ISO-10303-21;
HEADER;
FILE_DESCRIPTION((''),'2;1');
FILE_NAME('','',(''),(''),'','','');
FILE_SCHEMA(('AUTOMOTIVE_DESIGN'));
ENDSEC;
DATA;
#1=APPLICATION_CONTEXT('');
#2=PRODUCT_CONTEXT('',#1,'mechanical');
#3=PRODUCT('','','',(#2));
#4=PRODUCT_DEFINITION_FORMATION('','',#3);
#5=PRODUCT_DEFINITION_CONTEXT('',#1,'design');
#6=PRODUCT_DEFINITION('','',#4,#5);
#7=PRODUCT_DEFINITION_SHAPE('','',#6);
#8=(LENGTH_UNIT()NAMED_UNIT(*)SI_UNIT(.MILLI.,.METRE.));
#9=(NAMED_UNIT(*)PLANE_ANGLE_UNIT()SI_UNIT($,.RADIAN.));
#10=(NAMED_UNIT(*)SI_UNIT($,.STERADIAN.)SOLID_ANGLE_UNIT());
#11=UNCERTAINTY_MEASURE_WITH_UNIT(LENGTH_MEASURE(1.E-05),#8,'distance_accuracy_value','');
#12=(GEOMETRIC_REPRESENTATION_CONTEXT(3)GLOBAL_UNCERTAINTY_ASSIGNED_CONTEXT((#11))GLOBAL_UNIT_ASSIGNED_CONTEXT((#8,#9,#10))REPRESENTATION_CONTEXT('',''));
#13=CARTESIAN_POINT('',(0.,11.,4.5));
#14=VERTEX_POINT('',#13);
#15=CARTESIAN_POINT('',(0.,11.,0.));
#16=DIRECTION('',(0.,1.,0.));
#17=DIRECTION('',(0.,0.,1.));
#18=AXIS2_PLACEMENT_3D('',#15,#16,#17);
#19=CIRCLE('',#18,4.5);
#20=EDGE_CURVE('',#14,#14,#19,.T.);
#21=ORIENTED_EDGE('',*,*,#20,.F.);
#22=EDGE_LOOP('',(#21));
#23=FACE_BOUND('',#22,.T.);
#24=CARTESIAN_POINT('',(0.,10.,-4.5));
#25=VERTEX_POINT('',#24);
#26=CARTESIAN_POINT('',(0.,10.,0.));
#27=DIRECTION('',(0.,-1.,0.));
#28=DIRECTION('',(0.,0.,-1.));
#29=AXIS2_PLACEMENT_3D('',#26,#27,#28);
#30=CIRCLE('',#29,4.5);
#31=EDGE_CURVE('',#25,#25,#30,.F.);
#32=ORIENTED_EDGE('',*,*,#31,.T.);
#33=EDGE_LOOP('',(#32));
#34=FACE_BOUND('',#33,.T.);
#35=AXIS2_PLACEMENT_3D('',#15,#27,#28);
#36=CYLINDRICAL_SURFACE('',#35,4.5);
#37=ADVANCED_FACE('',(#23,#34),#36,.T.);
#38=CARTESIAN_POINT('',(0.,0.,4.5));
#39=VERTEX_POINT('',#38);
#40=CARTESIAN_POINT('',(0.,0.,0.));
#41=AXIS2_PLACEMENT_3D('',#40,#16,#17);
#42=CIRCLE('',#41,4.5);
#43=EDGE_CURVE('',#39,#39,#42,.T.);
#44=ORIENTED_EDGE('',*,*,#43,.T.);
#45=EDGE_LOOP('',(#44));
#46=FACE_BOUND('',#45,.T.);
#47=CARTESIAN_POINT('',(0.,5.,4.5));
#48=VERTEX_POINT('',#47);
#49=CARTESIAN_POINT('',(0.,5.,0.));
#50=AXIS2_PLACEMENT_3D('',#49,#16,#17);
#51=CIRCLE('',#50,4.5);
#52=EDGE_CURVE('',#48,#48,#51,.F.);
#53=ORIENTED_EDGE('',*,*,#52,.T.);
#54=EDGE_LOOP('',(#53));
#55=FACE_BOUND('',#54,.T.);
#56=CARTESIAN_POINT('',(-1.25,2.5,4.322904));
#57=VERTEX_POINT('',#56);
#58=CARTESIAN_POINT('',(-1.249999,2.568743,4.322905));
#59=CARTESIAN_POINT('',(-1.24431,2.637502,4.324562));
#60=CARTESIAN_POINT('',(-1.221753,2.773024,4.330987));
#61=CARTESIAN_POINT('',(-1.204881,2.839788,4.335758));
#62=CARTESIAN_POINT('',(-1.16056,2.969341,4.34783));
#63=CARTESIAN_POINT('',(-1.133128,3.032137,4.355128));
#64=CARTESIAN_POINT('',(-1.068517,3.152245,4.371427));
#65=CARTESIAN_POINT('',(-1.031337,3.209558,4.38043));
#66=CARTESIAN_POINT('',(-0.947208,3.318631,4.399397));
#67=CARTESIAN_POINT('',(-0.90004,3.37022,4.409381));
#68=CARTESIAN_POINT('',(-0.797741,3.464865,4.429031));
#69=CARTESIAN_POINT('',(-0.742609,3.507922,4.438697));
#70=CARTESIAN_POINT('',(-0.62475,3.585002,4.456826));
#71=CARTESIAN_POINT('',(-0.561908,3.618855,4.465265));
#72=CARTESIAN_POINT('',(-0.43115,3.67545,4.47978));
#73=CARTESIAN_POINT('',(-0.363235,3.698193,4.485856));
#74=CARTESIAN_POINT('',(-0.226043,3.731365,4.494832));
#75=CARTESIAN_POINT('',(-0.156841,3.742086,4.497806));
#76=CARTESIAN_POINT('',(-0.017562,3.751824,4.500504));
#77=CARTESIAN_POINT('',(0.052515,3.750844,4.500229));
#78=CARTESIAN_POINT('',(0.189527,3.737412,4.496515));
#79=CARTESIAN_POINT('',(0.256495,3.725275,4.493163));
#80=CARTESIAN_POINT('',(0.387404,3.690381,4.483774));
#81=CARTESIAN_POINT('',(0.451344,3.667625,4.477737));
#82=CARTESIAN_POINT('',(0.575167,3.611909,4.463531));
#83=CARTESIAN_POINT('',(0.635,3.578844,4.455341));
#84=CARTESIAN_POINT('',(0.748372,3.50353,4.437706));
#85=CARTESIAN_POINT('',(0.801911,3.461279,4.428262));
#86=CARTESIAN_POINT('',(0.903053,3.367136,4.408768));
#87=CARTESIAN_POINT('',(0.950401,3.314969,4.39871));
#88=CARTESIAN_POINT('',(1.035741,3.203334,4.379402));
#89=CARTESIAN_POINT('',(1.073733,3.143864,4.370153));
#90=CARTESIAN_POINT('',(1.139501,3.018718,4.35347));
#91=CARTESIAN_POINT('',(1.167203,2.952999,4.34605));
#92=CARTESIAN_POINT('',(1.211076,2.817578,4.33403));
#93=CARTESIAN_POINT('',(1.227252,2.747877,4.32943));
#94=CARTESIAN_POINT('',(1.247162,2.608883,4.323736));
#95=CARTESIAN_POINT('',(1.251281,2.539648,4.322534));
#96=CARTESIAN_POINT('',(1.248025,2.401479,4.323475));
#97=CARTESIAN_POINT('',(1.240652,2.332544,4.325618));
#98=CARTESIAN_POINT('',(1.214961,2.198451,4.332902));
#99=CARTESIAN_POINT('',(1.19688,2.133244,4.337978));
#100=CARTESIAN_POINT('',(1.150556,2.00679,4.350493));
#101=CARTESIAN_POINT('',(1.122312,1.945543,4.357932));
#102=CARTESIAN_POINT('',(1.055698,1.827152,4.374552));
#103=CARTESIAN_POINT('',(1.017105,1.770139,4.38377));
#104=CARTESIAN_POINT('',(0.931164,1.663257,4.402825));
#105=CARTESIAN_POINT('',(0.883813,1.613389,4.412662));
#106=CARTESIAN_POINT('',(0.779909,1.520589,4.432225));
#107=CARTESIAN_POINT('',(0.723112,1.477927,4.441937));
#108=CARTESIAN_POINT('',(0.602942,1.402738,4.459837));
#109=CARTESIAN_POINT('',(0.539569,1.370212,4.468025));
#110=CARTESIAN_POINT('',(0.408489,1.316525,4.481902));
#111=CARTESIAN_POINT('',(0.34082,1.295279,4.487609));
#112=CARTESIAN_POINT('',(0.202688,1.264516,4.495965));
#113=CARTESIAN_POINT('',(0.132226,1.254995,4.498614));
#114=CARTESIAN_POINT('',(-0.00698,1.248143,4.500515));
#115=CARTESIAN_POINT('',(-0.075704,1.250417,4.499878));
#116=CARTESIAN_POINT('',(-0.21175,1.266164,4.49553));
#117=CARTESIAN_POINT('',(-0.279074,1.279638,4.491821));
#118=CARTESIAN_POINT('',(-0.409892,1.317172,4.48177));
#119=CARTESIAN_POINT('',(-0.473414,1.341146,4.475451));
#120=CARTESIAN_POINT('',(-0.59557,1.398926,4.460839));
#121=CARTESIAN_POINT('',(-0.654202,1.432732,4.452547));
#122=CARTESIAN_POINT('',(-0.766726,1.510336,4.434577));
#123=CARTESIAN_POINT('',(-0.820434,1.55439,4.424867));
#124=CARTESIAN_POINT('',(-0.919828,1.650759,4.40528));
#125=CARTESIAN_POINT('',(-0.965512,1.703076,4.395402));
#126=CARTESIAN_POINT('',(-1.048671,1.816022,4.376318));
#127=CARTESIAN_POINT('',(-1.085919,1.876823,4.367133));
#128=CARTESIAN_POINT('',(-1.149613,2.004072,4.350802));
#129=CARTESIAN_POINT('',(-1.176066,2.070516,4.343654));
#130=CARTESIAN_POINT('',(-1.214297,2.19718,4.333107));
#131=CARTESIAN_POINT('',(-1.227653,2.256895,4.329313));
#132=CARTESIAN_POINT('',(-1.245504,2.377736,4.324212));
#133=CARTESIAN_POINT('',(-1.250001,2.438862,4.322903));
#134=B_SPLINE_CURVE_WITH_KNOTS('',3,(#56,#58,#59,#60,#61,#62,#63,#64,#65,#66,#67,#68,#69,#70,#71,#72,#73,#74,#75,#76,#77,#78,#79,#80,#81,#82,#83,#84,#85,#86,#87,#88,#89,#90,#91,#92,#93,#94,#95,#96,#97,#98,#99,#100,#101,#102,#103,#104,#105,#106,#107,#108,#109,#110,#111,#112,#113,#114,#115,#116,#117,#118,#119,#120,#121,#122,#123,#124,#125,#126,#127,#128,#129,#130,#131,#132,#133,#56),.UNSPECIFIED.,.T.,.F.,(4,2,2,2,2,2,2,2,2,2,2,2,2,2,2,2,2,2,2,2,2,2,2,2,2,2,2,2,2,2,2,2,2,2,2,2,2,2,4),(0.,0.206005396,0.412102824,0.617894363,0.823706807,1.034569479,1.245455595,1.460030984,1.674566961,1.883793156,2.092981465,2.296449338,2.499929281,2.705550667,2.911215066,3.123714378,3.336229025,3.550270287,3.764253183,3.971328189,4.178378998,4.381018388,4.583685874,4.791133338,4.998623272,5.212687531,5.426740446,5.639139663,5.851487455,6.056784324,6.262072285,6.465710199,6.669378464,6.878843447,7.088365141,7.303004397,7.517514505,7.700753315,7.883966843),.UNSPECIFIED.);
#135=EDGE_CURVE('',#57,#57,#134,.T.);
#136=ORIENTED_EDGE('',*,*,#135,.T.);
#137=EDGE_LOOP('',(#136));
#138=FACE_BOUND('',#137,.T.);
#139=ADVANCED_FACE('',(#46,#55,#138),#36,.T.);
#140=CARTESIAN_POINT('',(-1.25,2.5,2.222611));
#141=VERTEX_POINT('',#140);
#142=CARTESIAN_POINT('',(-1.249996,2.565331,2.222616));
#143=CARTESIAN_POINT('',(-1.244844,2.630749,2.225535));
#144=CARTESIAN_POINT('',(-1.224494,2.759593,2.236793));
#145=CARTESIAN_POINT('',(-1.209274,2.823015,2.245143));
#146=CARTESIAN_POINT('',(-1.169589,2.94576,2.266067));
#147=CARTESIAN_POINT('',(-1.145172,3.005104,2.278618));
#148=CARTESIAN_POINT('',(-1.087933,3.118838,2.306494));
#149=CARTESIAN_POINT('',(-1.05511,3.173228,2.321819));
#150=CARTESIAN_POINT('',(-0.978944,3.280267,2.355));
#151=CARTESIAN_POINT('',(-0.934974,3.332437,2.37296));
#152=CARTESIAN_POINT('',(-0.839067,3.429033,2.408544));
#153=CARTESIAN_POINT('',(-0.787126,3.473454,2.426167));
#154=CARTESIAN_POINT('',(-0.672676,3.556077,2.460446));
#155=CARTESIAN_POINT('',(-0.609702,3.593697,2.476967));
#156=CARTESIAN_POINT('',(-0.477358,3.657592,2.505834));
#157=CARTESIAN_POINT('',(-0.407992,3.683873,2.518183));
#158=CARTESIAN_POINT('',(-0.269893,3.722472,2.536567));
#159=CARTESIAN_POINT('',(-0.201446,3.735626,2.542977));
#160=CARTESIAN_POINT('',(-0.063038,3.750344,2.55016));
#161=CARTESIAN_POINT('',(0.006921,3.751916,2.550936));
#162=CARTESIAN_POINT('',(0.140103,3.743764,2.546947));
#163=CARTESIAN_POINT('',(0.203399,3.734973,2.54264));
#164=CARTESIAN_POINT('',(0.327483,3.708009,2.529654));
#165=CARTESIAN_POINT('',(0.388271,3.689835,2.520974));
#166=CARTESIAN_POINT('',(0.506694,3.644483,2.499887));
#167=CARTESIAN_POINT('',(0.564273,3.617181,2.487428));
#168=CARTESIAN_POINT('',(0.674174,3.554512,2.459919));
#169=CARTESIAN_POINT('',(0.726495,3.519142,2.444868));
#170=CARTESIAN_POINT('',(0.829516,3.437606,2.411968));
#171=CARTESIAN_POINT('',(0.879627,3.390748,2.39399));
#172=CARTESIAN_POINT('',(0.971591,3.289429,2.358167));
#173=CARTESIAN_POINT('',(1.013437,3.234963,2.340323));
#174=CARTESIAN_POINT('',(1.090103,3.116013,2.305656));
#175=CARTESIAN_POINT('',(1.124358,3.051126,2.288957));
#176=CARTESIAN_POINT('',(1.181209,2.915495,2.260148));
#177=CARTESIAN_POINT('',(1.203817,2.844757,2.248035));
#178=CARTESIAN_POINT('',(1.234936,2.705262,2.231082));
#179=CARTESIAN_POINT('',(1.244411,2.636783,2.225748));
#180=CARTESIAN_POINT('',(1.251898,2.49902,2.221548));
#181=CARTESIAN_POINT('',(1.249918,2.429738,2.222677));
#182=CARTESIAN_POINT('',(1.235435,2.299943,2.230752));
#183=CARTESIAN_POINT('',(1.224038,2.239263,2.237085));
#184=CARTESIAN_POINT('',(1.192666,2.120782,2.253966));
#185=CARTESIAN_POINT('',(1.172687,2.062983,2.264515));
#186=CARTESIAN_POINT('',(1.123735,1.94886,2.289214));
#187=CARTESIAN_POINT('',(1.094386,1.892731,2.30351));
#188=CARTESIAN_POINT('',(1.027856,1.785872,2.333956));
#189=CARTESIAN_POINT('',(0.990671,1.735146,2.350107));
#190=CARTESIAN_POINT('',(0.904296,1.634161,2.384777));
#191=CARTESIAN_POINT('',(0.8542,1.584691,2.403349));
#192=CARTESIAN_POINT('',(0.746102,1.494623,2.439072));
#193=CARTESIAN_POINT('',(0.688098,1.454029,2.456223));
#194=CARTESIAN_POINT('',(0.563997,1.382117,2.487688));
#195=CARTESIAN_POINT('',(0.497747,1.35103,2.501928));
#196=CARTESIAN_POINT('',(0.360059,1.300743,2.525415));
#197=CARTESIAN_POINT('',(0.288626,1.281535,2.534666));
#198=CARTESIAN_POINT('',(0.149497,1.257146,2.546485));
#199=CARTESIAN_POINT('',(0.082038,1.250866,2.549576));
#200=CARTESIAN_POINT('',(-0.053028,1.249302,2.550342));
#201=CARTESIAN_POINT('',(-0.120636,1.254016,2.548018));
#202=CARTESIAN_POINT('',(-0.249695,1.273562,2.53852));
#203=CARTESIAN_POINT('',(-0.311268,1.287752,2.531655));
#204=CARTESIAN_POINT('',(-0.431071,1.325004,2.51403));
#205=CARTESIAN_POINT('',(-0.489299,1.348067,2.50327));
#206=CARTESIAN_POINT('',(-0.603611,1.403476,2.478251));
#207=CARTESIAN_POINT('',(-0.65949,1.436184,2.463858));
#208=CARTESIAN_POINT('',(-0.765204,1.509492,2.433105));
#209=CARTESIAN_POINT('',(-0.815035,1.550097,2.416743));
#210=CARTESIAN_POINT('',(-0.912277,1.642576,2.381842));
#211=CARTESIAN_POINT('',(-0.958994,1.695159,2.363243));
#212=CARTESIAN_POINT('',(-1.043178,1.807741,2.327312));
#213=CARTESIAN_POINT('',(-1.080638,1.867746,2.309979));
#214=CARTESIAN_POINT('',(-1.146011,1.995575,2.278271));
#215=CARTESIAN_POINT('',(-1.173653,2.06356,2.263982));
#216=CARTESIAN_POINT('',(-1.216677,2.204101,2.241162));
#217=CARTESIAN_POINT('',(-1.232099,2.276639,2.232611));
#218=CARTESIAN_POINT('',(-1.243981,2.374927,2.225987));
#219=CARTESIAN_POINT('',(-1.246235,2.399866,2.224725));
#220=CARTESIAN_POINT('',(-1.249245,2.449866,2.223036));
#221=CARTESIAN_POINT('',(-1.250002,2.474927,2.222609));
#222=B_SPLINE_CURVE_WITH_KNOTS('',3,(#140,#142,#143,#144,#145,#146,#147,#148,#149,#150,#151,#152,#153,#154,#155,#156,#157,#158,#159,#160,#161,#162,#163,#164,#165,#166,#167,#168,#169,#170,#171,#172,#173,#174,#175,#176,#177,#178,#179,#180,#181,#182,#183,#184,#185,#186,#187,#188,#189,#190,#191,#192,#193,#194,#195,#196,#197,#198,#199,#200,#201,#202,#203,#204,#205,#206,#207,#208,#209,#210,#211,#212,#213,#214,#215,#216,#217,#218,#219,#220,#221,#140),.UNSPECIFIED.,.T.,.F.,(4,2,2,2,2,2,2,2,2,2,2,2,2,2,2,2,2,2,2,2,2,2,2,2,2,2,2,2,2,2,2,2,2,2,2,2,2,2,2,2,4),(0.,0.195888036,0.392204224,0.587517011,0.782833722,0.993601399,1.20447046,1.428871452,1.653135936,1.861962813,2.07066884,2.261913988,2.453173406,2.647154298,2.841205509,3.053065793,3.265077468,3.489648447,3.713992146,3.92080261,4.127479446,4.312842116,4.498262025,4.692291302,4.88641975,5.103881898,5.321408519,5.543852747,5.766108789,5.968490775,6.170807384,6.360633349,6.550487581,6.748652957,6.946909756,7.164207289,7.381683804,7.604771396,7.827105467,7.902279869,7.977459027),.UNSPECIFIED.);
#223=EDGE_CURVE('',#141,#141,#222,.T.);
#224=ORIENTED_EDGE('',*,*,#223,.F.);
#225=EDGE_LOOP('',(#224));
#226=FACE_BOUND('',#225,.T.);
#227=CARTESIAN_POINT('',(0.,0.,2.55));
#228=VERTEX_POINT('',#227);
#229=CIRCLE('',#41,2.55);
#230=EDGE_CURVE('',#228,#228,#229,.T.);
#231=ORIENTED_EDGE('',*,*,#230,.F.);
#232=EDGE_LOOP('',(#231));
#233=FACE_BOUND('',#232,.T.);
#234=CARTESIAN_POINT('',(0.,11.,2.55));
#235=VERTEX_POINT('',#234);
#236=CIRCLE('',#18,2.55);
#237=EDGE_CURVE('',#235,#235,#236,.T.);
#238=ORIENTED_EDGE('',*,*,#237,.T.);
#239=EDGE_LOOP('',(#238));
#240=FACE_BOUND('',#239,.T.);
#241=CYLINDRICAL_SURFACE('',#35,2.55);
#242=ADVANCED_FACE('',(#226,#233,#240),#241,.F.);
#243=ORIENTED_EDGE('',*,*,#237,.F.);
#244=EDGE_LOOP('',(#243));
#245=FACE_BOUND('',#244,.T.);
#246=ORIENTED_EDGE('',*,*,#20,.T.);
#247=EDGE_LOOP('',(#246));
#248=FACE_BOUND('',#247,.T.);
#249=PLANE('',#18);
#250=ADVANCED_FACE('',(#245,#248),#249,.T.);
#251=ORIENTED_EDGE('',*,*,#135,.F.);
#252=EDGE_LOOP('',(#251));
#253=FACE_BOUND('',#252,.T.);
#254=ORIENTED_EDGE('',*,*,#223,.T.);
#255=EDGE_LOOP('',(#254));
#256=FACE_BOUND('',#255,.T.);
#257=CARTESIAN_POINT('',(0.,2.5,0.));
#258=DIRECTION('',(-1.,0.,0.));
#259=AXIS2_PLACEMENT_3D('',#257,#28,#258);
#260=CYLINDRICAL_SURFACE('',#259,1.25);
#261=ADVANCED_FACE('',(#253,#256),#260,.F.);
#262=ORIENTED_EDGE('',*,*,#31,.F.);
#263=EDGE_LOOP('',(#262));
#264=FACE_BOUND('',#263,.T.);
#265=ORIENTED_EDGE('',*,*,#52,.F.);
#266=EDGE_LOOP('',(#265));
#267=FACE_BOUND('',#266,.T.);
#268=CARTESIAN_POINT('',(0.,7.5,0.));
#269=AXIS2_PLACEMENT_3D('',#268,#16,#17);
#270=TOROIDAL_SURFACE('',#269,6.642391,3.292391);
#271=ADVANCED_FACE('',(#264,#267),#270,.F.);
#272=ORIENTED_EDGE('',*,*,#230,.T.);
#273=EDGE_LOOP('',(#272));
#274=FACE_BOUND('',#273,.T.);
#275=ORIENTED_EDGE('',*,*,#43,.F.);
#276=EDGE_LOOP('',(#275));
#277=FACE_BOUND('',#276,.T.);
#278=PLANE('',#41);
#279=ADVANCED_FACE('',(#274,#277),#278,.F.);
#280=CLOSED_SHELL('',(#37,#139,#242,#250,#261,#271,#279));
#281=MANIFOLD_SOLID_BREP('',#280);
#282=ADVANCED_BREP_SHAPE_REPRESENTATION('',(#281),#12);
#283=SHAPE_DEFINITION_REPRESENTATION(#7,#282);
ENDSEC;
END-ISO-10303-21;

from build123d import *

# Parameters (mm, degrees)
CROQUIS1_R              = 4.5
CROQUIS1_R_2            = 2.55
SALIENTE_EXTRUIR1_DEPTH = 11
CROQUIS3_R              = 3.292391304
CROQUIS5_W              = 1.25
CROQUIS5_H              = 4.5


with BuildPart() as part:
    # Croquis1 → Saliente-Extruir1 (new body)
    with BuildSketch(Plane(origin=(0, 0, 0), x_dir=(1, 0, 0), z_dir=(0, 1, 0))):
        with Locations(Location((0, 0, 0), (0, 0, 270))):
            Circle(CROQUIS1_R)
        with Locations(Location((0, 0, 0), (0, 0, 270))):
            Circle(CROQUIS1_R_2, mode=Mode.SUBTRACT)
    extrude(amount=SALIENTE_EXTRUIR1_DEPTH)

    # Croquis3 → Cortar-Revolución1 (revolve, cut)
    with BuildSketch(Plane(origin=(0, 0, 0), x_dir=(0, 0, -1), z_dir=(1, 0, 0))):
        with Locations((-6.642391304, 7.5)):
            Circle(CROQUIS3_R)
    revolve(axis=Axis((0, 11, 0), (0, -1, 0)), mode=Mode.SUBTRACT)

    # Croquis5 → Taladro roscado M31 (revolve, cut)
    with BuildSketch(Plane(origin=(0, 2.5, 0), x_dir=(0, 1, 0), z_dir=(1, 0, 0))):
        with Locations((0.625, 2.25)):
            Rectangle(CROQUIS5_W, CROQUIS5_H)
    revolve(axis=Axis((0, 2.5, -6.35), (0, 0, 1)), mode=Mode.SUBTRACT)


solid = part.part
